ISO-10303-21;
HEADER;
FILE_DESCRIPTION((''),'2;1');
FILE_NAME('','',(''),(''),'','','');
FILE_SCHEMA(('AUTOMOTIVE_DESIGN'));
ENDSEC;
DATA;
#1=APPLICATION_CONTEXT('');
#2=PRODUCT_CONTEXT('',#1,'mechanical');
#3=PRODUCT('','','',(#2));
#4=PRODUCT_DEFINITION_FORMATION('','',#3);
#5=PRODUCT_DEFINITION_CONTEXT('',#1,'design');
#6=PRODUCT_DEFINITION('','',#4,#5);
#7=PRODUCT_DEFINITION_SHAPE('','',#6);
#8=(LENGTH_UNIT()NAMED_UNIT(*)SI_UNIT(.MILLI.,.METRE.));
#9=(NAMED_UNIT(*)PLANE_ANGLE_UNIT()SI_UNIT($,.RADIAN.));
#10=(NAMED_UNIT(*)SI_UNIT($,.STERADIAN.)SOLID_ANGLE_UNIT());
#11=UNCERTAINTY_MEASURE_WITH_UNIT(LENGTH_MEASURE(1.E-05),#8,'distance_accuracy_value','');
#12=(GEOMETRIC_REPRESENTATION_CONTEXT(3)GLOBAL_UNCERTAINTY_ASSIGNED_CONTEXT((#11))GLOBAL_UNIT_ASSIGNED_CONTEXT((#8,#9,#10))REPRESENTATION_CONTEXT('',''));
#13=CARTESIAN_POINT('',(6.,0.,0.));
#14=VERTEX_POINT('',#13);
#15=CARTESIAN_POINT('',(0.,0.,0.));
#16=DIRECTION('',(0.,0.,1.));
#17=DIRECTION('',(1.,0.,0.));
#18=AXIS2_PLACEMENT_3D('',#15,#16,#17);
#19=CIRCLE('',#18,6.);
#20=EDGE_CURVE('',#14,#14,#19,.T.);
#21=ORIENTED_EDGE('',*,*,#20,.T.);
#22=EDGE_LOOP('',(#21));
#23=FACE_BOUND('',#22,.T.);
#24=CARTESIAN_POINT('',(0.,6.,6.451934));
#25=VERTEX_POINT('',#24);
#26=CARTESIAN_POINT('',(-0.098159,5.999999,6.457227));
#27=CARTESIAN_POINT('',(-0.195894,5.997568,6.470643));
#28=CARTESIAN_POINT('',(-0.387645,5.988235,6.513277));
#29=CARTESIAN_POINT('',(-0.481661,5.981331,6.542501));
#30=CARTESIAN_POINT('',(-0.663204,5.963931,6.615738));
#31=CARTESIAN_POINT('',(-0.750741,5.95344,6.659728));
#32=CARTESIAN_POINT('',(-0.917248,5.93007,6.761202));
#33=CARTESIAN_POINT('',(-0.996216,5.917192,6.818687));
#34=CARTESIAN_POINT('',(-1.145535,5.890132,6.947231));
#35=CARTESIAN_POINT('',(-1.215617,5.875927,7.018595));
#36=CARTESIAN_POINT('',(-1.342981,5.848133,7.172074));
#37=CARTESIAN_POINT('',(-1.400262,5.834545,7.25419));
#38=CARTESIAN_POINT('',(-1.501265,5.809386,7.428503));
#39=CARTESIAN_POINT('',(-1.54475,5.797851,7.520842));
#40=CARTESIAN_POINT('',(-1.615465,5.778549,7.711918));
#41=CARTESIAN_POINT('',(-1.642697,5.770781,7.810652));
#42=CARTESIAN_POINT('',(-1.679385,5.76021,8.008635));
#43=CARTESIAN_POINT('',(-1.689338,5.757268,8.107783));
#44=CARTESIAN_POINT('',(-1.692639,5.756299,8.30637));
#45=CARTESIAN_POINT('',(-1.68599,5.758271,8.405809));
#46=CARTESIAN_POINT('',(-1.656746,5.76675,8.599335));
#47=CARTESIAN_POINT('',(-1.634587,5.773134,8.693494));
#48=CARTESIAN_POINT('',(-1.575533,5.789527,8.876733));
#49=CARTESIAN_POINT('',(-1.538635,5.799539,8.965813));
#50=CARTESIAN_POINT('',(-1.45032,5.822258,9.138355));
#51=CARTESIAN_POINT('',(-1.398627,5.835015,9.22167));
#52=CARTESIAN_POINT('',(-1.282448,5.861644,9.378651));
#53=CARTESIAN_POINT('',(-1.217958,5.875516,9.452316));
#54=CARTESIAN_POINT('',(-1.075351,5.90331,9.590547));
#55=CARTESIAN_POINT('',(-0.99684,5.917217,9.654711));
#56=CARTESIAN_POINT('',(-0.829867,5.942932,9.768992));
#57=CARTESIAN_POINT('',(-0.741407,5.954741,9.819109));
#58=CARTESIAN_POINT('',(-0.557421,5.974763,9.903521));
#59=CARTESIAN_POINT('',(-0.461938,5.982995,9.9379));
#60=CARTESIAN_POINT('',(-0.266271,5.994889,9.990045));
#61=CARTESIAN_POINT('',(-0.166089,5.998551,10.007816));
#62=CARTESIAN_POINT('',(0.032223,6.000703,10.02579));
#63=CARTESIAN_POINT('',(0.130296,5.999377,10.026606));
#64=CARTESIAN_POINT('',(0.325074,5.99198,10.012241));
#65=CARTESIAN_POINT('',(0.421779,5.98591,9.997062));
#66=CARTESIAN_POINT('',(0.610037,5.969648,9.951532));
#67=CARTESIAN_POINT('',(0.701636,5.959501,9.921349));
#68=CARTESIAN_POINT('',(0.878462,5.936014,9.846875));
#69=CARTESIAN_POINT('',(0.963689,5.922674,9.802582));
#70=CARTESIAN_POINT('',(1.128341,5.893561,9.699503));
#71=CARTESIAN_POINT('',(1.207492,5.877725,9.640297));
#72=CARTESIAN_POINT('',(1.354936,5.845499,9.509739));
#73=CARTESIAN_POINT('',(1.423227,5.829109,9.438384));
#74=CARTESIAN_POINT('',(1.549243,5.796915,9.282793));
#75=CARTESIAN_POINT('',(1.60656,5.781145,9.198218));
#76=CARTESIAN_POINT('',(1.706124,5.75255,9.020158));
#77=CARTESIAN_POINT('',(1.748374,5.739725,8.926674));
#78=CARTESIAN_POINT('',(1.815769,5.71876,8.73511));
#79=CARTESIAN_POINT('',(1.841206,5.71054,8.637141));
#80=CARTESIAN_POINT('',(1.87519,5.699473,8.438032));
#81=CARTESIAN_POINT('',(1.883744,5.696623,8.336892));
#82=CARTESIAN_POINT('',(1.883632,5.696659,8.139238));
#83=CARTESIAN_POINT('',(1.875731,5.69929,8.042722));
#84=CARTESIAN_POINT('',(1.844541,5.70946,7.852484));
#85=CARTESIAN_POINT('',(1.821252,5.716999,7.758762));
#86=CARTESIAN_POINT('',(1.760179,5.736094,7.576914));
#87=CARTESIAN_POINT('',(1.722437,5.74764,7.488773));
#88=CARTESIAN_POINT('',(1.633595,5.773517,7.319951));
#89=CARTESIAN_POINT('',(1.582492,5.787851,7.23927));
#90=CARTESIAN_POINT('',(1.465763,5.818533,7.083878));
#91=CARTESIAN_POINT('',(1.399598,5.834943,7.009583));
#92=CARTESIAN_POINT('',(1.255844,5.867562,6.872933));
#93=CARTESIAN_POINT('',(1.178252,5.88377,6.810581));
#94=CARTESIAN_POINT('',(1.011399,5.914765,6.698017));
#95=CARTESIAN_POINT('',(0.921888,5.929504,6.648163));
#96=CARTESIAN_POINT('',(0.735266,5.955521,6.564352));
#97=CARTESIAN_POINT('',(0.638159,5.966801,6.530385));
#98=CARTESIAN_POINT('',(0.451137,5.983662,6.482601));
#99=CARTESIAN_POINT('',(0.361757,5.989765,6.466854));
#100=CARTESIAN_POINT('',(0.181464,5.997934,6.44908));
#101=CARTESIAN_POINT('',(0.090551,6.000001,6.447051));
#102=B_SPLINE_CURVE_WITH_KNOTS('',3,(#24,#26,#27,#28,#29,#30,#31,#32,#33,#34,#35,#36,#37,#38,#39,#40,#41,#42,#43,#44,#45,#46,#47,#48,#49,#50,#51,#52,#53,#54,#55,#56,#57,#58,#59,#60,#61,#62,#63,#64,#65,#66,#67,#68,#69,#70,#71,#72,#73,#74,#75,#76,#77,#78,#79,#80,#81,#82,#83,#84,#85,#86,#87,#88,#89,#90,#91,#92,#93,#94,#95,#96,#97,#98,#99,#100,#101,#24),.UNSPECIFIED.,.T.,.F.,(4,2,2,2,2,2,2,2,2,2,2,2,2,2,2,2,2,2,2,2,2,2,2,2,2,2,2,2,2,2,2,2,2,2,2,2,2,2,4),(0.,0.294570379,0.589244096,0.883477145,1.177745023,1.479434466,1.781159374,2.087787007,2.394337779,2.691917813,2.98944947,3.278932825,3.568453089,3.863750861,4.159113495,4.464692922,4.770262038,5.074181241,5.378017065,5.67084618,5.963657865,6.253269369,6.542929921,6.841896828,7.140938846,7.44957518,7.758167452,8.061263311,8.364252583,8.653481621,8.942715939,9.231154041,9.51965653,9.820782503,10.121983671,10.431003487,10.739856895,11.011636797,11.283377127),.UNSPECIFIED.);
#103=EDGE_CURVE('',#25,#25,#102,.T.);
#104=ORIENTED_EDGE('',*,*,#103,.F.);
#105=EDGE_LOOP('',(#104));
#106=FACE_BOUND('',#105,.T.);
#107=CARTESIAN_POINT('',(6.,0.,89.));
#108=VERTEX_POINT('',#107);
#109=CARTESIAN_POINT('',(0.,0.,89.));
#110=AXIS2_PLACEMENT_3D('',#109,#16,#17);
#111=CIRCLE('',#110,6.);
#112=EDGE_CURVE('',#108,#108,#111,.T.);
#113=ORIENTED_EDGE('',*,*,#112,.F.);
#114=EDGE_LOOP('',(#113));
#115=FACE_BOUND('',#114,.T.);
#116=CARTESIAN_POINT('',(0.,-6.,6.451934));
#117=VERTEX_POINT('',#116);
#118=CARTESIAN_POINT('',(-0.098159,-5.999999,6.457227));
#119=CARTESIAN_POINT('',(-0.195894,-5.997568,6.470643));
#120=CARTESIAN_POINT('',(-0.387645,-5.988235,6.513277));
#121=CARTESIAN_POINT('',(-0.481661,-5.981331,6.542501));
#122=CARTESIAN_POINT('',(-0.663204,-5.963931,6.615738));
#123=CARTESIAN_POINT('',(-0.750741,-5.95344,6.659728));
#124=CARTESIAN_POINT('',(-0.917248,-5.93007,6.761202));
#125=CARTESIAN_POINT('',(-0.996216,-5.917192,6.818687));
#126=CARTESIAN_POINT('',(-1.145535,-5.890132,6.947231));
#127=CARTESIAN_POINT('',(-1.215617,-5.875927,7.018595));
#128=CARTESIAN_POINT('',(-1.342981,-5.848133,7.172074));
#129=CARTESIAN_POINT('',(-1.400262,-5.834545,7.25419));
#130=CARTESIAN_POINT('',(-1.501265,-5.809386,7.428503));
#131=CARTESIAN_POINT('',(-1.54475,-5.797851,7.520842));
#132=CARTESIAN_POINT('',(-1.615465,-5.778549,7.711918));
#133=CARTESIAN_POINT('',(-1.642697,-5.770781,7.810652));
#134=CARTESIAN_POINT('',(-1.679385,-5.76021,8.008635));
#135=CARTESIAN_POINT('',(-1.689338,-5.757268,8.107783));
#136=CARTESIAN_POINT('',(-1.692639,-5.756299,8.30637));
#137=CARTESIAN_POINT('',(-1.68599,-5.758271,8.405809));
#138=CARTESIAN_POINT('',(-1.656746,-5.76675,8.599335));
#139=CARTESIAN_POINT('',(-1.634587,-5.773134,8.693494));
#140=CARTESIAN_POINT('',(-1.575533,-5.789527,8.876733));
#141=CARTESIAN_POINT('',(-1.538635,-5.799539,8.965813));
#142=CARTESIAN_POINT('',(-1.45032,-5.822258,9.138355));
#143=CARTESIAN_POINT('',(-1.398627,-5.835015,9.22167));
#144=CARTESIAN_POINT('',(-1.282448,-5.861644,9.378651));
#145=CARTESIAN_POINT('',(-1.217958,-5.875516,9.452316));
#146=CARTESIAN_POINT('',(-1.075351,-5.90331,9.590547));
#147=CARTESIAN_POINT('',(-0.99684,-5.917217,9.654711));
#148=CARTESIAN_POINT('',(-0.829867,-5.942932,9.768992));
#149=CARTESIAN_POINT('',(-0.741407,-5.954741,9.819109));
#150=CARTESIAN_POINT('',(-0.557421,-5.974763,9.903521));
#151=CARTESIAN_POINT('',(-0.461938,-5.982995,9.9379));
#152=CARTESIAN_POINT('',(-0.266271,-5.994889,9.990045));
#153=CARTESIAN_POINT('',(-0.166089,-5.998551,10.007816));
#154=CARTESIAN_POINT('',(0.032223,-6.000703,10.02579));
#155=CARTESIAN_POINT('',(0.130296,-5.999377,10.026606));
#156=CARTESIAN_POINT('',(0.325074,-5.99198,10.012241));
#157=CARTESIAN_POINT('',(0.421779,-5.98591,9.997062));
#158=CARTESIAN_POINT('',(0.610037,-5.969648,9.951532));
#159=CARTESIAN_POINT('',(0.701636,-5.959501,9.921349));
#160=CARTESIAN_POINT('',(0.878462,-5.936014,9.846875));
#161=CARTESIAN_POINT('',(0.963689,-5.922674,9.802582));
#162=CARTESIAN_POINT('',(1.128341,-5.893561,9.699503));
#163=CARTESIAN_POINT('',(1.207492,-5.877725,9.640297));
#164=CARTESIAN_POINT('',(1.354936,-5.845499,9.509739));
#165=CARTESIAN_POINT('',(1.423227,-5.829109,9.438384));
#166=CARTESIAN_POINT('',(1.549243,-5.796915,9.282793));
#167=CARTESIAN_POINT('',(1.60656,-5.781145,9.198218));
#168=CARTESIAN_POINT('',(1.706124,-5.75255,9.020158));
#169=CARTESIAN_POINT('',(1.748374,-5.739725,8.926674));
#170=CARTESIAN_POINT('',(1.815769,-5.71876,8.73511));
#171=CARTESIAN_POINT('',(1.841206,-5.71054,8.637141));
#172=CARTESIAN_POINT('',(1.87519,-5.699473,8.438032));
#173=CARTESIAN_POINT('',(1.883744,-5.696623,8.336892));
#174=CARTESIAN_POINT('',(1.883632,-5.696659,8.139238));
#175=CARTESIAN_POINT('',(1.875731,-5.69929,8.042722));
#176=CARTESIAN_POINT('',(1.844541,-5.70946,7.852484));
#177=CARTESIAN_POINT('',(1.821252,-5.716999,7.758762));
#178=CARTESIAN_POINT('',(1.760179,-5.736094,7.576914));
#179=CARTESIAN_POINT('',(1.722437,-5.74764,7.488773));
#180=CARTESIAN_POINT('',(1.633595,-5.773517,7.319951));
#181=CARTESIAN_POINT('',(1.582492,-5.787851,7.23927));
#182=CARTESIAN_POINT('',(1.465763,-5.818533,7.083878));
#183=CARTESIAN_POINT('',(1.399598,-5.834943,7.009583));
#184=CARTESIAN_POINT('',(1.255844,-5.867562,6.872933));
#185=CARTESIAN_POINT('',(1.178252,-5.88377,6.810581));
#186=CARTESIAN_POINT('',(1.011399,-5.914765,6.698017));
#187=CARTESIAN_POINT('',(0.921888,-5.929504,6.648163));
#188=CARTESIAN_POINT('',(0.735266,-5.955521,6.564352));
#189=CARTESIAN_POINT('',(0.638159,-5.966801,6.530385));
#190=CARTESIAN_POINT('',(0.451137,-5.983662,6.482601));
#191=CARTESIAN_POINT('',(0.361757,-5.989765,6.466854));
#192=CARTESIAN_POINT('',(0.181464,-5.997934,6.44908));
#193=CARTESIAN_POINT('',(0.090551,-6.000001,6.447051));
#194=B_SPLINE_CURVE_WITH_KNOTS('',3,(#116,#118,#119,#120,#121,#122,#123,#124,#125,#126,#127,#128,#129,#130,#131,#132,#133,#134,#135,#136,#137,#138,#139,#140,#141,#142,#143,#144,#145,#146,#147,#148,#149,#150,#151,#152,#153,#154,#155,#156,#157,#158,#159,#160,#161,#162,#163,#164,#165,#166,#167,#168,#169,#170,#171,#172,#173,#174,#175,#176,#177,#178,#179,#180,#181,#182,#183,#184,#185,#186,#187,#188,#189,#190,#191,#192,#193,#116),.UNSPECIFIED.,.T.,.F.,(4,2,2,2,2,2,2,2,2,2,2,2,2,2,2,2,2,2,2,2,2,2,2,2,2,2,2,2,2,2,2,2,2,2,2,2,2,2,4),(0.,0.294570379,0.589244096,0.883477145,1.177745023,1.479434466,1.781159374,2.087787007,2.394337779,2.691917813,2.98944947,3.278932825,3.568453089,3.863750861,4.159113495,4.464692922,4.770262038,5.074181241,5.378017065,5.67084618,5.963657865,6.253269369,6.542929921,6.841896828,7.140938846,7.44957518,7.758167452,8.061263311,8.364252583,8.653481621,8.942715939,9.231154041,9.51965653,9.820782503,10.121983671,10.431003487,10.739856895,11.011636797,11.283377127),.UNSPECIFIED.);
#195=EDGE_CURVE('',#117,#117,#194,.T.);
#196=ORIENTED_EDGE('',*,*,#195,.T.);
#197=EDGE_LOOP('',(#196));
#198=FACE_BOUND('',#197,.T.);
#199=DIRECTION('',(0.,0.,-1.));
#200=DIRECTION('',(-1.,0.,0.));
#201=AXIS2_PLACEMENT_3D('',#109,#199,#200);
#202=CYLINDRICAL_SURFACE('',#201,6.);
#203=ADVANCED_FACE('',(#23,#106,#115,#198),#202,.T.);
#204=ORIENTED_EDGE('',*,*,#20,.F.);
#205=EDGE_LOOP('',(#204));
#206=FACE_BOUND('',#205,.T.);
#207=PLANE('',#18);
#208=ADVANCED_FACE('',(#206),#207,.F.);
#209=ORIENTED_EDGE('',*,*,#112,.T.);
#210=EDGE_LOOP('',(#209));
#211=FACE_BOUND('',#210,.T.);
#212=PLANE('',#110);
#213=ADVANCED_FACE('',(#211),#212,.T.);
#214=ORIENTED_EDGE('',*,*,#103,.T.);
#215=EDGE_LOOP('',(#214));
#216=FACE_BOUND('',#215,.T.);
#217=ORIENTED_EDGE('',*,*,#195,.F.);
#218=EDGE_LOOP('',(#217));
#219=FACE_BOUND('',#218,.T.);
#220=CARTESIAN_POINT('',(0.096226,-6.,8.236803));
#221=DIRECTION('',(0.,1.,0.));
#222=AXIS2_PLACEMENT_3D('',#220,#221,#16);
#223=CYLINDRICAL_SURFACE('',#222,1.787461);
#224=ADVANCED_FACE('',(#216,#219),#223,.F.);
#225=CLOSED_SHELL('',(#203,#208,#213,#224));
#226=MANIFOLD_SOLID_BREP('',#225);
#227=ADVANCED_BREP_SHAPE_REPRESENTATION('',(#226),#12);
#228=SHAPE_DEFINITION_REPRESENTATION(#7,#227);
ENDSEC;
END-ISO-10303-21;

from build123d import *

# Parameters (mm, degrees)
SKETCH3_R           = 6
BOSS_EXTRUDE1_DEPTH = 89
SKETCH4_R           = 1.787461207
SKETCH4_R_2         = 2
CUT_EXTRUDE1_DEPTH  = 90.403579347
SKETCH4_2_R         = 1.787461207
SKETCH4_2_R_2       = 2
CUT_EXTRUDE2_DEPTH  = 90.403579462


with BuildPart() as part:
    # Sketch3 → Boss-Extrude1 (new body)
    with BuildSketch(Plane.XY):
        Circle(SKETCH3_R)
    extrude(amount=BOSS_EXTRUDE1_DEPTH)

    # Sketch4 → Cut-Extrude1 (cut, through all)
    with BuildSketch(Plane(origin=(0, 0, 0), x_dir=(1, 0, 0), z_dir=(0, 1, 0))):
        with Locations((0.096225649, -8.236803081)):
            Circle(SKETCH4_R)
        with Locations((0, -123.236762823)):
            Circle(SKETCH4_R_2)
    extrude(amount=-CUT_EXTRUDE1_DEPTH, mode=Mode.SUBTRACT)

    # Sketch4<2> → Cut-Extrude2 (cut, through all)
    with BuildSketch(Plane(origin=(0, 0, 0), x_dir=(1, 0, 0), z_dir=(0, 1, 0))):
        with Locations((0.096225649, -8.236803081)):
            Circle(SKETCH4_2_R)
        with Locations((0, -123.236762823)):
            Circle(SKETCH4_2_R_2)
    extrude(amount=CUT_EXTRUDE2_DEPTH, mode=Mode.SUBTRACT)


solid = part.part
